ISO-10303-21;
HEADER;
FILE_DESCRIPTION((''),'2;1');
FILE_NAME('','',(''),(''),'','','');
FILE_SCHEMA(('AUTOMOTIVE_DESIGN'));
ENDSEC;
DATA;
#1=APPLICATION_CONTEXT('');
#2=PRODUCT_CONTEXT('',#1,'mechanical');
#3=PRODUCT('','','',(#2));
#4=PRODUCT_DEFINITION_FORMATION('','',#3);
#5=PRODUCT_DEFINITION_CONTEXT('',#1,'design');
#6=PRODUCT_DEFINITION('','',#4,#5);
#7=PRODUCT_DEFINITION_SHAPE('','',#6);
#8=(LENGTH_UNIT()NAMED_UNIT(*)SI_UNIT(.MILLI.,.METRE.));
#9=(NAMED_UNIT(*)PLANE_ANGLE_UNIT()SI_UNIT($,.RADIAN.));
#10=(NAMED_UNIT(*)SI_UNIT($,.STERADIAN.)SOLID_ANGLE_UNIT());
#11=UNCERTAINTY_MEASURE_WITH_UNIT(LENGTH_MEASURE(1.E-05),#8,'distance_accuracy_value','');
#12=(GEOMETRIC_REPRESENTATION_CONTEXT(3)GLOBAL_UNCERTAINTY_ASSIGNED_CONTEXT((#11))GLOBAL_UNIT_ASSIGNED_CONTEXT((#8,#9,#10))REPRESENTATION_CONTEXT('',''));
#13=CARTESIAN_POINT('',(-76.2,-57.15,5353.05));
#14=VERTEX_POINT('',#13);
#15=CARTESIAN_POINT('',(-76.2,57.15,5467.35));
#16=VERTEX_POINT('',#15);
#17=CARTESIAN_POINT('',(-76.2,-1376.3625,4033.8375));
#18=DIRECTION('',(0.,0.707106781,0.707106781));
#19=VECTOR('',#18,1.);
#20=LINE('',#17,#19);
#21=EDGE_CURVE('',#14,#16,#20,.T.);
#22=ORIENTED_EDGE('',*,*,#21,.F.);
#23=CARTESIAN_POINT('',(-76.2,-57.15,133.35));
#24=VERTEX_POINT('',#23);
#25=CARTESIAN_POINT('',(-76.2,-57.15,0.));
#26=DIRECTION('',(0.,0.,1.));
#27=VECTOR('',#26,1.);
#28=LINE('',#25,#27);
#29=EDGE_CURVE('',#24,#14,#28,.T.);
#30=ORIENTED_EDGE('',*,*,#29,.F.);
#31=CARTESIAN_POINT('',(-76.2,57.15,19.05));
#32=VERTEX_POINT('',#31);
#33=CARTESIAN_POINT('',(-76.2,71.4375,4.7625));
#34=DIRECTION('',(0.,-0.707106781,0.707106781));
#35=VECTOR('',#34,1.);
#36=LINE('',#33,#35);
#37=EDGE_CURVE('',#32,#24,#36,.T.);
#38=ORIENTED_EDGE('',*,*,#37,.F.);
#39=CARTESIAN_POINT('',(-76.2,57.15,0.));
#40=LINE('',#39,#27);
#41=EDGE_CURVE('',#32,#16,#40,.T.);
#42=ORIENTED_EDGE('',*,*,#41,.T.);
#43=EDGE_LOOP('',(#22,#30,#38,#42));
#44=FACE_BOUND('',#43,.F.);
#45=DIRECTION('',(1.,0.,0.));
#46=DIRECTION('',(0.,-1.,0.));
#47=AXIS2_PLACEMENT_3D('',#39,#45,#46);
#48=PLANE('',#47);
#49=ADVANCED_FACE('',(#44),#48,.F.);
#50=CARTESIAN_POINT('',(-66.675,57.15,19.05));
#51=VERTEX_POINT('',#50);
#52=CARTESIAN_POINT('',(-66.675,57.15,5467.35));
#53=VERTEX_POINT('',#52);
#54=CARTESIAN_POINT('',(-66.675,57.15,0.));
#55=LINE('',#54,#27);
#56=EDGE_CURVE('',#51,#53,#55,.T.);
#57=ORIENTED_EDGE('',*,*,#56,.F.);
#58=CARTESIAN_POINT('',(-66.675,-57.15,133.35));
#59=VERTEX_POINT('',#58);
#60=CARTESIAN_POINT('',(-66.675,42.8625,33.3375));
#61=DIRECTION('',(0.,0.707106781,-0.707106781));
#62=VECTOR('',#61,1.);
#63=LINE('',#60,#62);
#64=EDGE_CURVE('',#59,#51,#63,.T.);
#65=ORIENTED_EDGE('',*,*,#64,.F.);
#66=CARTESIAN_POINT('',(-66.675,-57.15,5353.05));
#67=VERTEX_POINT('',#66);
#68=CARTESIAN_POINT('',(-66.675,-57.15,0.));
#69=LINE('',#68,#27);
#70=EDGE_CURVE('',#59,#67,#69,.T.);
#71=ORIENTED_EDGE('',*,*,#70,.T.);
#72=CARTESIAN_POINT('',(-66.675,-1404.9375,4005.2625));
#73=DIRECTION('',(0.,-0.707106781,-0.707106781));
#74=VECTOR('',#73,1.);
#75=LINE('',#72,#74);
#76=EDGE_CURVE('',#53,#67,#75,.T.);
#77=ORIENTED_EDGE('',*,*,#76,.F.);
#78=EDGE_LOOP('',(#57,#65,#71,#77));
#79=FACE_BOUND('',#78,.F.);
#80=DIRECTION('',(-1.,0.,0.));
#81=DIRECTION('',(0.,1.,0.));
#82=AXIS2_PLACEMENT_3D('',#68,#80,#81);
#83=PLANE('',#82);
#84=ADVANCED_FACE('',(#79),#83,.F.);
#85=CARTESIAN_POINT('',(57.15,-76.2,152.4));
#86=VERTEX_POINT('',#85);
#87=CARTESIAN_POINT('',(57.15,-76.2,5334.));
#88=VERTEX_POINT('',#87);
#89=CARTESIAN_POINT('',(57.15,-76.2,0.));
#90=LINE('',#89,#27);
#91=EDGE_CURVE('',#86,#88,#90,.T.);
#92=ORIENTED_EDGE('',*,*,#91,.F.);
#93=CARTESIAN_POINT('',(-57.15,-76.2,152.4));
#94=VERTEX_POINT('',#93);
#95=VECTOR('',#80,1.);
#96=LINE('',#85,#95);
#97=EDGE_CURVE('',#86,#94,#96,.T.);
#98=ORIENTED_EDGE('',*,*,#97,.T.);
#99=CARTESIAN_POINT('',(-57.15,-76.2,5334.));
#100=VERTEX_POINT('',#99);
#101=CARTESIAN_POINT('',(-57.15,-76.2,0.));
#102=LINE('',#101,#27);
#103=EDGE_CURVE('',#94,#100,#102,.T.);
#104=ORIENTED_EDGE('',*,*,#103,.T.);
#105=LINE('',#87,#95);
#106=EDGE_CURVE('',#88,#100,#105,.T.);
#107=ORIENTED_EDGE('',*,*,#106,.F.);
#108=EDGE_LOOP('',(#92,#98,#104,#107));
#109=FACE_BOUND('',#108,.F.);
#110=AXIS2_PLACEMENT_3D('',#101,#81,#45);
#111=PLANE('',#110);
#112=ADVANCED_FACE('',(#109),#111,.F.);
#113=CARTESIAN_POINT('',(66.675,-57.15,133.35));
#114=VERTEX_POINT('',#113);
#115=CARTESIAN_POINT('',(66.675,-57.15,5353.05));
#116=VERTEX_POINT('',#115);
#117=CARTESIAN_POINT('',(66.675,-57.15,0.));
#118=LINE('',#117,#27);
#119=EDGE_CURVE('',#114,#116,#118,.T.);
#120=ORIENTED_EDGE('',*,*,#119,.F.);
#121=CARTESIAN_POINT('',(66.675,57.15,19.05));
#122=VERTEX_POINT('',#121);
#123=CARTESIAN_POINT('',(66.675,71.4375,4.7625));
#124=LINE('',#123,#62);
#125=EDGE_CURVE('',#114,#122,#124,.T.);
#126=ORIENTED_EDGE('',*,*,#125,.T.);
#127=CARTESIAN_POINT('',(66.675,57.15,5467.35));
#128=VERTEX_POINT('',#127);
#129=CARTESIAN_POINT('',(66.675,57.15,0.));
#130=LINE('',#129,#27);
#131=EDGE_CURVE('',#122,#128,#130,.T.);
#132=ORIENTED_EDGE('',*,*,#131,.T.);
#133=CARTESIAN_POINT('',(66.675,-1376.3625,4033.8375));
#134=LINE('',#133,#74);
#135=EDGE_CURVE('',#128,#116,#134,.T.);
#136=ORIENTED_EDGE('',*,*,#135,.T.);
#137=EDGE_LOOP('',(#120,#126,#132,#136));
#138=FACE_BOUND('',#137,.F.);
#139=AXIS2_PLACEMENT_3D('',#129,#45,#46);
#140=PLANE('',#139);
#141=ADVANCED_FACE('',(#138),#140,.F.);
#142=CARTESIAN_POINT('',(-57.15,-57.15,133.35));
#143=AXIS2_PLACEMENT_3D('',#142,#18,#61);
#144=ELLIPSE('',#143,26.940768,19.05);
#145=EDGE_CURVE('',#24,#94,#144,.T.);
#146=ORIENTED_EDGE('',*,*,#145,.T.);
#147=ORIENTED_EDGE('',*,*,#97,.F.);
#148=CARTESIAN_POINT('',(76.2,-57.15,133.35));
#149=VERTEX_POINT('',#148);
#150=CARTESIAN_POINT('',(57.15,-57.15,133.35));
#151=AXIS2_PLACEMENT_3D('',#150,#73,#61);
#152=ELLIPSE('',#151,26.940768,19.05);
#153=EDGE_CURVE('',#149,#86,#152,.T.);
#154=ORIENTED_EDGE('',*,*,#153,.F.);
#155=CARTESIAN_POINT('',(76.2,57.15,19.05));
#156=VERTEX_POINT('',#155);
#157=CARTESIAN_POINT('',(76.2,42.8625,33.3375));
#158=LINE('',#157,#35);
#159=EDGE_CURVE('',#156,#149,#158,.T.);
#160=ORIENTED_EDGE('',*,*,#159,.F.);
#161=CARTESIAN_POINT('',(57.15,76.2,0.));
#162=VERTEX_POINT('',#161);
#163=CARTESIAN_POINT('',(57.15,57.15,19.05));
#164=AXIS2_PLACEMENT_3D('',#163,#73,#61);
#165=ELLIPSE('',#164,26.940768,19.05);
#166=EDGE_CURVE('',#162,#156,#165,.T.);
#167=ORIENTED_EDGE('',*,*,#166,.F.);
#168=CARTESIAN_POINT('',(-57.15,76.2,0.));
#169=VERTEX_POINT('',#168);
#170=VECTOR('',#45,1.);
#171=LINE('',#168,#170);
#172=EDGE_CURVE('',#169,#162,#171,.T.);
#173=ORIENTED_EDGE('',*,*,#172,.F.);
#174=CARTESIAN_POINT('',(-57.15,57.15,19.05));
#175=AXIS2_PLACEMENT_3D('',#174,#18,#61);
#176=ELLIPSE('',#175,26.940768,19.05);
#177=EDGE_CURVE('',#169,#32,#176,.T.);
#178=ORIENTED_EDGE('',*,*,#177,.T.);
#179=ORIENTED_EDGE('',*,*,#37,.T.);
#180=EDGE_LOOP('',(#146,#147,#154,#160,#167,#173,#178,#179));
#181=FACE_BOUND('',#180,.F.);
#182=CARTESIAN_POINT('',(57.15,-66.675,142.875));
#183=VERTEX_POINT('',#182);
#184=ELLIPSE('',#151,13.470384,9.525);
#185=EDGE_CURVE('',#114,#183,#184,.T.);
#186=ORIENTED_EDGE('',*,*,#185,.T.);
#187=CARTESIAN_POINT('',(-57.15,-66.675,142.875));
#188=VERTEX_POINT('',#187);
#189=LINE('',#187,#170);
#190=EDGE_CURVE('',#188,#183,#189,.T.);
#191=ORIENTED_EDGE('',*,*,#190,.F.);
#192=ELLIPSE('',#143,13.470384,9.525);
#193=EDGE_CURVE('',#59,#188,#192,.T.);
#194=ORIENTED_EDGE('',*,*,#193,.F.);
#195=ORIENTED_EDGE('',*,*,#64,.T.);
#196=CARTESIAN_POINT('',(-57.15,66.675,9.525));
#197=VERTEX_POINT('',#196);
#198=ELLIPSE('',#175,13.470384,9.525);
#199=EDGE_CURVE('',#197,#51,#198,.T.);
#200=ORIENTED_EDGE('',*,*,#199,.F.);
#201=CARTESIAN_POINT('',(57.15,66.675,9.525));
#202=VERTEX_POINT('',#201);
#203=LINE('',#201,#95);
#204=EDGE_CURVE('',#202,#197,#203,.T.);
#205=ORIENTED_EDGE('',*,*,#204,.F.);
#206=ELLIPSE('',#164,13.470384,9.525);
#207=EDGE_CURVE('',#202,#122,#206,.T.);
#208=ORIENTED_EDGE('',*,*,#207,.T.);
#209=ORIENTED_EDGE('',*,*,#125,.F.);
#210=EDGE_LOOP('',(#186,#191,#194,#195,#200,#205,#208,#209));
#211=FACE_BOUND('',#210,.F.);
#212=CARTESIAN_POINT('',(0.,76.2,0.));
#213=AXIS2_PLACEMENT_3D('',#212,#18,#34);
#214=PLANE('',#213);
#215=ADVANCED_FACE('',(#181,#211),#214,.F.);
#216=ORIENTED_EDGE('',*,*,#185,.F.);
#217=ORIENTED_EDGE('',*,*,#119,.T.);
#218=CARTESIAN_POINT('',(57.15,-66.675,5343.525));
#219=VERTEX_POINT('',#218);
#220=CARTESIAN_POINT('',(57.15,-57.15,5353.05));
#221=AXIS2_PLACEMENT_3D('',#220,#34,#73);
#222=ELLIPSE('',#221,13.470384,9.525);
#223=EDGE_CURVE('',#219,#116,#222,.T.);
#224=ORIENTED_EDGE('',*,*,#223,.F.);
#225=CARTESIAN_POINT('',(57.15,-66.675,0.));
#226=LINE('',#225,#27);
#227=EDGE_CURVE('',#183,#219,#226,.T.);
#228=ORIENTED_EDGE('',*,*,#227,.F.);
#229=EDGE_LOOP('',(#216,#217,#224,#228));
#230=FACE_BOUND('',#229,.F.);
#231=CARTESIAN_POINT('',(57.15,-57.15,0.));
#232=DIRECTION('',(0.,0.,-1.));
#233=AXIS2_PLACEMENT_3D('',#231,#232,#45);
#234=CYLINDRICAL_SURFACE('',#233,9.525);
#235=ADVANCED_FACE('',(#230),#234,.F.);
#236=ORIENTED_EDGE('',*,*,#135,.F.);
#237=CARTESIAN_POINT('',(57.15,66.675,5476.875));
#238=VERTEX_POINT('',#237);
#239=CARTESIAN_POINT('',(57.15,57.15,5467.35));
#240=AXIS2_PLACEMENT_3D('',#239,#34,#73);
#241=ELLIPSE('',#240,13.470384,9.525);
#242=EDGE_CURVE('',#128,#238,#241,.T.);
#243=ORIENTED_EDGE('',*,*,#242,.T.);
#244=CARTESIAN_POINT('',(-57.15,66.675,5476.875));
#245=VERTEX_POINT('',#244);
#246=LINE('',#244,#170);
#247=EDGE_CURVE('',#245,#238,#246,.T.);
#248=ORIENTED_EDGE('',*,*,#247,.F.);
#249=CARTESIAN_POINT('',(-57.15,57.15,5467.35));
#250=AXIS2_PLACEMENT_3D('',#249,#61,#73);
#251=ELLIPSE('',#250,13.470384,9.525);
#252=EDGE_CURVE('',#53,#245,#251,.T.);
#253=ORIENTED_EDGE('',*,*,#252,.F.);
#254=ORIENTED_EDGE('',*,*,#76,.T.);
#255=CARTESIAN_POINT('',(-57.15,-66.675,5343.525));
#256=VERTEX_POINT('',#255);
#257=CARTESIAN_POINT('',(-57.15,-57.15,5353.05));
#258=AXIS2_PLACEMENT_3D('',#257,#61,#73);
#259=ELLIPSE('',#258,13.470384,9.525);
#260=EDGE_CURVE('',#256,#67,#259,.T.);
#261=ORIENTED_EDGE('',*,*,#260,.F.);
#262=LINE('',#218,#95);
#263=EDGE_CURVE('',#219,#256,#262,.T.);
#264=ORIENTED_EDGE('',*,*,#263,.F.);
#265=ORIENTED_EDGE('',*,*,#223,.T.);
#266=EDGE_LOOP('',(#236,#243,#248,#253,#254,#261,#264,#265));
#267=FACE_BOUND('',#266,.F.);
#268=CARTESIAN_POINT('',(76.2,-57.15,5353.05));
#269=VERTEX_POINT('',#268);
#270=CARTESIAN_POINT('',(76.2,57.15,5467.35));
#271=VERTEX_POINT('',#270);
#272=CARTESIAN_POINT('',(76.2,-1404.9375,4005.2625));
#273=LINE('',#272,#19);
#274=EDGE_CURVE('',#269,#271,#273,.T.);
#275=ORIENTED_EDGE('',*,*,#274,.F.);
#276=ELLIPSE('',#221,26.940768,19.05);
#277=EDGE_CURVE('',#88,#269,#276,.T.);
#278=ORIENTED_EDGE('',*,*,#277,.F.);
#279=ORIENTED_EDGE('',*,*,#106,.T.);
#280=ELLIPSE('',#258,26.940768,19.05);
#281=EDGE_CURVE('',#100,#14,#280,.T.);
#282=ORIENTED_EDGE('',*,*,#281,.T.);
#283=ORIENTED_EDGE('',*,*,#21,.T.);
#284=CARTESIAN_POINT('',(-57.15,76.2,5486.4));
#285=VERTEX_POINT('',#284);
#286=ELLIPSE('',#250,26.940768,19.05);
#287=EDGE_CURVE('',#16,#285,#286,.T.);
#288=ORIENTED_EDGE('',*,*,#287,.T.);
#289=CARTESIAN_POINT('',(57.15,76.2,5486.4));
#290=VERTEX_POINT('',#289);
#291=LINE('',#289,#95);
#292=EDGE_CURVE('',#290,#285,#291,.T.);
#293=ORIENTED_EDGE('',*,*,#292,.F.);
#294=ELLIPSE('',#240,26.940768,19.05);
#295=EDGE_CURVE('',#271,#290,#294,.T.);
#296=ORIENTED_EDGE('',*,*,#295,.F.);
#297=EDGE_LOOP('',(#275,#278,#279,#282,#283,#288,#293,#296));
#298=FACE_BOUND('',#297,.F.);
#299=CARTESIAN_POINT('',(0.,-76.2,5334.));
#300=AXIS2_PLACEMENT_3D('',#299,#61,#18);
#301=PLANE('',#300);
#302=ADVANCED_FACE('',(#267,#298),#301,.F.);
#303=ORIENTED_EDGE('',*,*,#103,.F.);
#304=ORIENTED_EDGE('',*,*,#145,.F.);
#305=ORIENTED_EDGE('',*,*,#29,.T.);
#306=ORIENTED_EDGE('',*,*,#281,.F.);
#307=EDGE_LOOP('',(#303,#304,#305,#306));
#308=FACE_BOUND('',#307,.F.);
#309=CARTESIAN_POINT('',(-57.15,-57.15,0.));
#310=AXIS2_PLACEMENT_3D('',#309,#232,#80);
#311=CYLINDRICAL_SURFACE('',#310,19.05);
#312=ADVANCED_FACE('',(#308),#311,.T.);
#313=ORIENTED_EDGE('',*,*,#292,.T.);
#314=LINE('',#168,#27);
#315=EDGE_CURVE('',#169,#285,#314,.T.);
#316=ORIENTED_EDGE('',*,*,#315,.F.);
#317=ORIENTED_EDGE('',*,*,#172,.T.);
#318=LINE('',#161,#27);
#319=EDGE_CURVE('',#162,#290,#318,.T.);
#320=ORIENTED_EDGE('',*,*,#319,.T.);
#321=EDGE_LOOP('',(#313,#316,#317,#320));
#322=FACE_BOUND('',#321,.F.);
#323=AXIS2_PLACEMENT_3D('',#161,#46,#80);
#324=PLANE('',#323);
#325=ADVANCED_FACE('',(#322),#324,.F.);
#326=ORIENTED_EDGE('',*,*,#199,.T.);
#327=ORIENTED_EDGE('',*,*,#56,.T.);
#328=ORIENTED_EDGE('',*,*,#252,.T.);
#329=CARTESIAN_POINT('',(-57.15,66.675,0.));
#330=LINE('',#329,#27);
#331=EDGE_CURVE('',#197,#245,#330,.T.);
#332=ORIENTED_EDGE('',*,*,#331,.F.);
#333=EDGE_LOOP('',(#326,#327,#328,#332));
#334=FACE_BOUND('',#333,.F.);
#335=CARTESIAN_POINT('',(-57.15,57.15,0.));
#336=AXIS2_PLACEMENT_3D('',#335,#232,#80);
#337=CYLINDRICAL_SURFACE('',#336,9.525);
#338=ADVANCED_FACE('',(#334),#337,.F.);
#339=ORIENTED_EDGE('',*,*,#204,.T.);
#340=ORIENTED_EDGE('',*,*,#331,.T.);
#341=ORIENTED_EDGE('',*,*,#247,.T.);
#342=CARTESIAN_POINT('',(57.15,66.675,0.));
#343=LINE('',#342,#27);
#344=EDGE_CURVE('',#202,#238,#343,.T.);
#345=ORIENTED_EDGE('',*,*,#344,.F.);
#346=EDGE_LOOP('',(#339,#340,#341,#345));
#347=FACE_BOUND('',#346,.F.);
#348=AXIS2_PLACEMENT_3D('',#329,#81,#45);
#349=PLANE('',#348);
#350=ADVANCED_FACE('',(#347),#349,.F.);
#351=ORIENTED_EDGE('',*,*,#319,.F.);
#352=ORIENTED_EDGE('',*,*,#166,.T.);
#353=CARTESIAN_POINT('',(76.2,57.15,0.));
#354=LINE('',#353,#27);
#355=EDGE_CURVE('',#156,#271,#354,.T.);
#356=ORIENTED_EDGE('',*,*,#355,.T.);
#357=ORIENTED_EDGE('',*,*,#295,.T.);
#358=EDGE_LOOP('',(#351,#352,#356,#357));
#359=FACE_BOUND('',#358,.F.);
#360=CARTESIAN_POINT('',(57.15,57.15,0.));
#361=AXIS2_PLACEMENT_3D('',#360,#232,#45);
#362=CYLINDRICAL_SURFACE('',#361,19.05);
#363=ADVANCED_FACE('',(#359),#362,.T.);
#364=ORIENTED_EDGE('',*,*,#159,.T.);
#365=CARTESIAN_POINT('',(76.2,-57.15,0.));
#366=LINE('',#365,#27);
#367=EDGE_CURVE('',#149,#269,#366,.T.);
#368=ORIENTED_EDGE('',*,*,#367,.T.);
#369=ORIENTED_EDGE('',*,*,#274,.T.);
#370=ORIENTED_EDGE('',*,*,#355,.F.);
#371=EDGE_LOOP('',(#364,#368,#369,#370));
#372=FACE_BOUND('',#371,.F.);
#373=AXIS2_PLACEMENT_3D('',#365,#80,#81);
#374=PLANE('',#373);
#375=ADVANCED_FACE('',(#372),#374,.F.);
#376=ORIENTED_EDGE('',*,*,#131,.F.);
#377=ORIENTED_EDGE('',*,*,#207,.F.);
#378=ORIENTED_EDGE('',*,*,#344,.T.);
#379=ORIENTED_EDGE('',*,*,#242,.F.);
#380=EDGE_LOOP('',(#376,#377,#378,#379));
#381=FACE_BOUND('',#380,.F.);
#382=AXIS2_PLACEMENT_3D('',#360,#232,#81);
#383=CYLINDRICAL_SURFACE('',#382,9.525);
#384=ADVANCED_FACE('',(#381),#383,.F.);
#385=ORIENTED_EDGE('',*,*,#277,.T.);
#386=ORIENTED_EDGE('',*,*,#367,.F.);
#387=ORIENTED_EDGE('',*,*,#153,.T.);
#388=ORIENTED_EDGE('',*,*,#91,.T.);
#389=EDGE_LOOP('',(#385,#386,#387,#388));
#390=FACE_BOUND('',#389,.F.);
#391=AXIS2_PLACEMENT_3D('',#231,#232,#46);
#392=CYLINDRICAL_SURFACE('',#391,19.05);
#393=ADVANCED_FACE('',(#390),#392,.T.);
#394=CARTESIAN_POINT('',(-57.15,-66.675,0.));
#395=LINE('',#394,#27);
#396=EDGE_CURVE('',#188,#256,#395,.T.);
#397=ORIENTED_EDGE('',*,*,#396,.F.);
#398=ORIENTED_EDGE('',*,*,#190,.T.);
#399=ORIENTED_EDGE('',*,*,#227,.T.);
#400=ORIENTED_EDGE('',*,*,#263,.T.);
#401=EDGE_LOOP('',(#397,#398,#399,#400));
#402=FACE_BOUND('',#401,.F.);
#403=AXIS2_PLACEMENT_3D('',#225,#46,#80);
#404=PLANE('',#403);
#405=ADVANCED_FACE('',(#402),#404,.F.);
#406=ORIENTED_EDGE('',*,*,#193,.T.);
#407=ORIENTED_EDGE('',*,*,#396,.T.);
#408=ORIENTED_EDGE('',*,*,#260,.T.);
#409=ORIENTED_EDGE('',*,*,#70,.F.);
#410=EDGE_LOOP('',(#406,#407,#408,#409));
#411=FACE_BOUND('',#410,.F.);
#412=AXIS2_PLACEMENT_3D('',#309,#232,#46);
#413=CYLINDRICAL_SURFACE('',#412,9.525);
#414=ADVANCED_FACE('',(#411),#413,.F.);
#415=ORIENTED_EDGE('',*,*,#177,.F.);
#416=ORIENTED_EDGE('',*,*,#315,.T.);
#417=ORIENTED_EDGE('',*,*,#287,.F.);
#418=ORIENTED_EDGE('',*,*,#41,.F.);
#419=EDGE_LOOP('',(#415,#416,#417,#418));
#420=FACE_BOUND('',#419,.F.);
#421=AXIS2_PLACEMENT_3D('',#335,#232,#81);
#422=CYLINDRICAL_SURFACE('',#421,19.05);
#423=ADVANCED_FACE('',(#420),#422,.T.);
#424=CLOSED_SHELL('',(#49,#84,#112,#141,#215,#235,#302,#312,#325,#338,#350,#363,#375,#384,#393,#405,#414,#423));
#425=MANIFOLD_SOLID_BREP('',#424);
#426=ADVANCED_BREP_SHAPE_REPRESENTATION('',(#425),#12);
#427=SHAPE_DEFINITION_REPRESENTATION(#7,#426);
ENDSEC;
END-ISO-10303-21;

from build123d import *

# Parameters (mm, degrees)
F1_DEPTH      = 5486.4
F3_DEPTH      = 76.201
F3_DEPTH_BACK = 76.201


with BuildPart() as f1:
    # F0 (on Top) → F1 (new body)
    with BuildSketch(Plane.XY):
        with BuildLine():
            ThreePointArc((-76.2, -57.15), (-70.6203841816, -70.6203841816), (-57.15, -76.2))
            Line((-57.15, -76.2), (57.15, -76.2))
            ThreePointArc((57.15, -76.2), (70.6203841816, -70.6203841816), (76.2, -57.15))
            Line((76.2, -57.15), (76.2, 57.15))
            ThreePointArc((76.2, 57.15), (70.6203841816, 70.6203841816), (57.15, 76.2))
            Line((57.15, 76.2), (-57.15, 76.2))
            ThreePointArc((-57.15, 76.2), (-70.6203841816, 70.6203841816), (-76.2, 57.15))
            Line((-76.2, 57.15), (-76.2, -57.15))
        make_face()
        with BuildLine():
            Line((57.15, -66.675), (-57.15, -66.675))
            ThreePointArc((-57.15, -66.675), (-63.8851920908, -63.8851920908), (-66.675, -57.15))
            Line((-66.675, -57.15), (-66.675, 57.15))
            ThreePointArc((-66.675, 57.15), (-63.8851920908, 63.8851920908), (-57.15, 66.675))
            Line((-57.15, 66.675), (57.15, 66.675))
            ThreePointArc((57.15, 66.675), (63.8851920908, 63.8851920908), (66.675, 57.15))
            Line((66.675, 57.15), (66.675, -57.15))
            ThreePointArc((66.675, -57.15), (63.8851920908, -63.8851920908), (57.15, -66.675))
        make_face(mode=Mode.SUBTRACT)
    extrude(amount=F1_DEPTH)

    # F2 (on Right) → F3 (cut, two sides)
    with BuildSketch(Plane.YZ) as f3_sk:
        Polygon((76.2, 5486.4), (-76.2, 5486.4), (-76.2, 5334), align=None)
        Polygon((-76.2, 0), (76.2, 0), (-76.2, 152.4), align=None)
    extrude(amount=-F3_DEPTH, mode=Mode.SUBTRACT)
    extrude(f3_sk.sketch, amount=F3_DEPTH_BACK, mode=Mode.SUBTRACT)


solid = f1.part
